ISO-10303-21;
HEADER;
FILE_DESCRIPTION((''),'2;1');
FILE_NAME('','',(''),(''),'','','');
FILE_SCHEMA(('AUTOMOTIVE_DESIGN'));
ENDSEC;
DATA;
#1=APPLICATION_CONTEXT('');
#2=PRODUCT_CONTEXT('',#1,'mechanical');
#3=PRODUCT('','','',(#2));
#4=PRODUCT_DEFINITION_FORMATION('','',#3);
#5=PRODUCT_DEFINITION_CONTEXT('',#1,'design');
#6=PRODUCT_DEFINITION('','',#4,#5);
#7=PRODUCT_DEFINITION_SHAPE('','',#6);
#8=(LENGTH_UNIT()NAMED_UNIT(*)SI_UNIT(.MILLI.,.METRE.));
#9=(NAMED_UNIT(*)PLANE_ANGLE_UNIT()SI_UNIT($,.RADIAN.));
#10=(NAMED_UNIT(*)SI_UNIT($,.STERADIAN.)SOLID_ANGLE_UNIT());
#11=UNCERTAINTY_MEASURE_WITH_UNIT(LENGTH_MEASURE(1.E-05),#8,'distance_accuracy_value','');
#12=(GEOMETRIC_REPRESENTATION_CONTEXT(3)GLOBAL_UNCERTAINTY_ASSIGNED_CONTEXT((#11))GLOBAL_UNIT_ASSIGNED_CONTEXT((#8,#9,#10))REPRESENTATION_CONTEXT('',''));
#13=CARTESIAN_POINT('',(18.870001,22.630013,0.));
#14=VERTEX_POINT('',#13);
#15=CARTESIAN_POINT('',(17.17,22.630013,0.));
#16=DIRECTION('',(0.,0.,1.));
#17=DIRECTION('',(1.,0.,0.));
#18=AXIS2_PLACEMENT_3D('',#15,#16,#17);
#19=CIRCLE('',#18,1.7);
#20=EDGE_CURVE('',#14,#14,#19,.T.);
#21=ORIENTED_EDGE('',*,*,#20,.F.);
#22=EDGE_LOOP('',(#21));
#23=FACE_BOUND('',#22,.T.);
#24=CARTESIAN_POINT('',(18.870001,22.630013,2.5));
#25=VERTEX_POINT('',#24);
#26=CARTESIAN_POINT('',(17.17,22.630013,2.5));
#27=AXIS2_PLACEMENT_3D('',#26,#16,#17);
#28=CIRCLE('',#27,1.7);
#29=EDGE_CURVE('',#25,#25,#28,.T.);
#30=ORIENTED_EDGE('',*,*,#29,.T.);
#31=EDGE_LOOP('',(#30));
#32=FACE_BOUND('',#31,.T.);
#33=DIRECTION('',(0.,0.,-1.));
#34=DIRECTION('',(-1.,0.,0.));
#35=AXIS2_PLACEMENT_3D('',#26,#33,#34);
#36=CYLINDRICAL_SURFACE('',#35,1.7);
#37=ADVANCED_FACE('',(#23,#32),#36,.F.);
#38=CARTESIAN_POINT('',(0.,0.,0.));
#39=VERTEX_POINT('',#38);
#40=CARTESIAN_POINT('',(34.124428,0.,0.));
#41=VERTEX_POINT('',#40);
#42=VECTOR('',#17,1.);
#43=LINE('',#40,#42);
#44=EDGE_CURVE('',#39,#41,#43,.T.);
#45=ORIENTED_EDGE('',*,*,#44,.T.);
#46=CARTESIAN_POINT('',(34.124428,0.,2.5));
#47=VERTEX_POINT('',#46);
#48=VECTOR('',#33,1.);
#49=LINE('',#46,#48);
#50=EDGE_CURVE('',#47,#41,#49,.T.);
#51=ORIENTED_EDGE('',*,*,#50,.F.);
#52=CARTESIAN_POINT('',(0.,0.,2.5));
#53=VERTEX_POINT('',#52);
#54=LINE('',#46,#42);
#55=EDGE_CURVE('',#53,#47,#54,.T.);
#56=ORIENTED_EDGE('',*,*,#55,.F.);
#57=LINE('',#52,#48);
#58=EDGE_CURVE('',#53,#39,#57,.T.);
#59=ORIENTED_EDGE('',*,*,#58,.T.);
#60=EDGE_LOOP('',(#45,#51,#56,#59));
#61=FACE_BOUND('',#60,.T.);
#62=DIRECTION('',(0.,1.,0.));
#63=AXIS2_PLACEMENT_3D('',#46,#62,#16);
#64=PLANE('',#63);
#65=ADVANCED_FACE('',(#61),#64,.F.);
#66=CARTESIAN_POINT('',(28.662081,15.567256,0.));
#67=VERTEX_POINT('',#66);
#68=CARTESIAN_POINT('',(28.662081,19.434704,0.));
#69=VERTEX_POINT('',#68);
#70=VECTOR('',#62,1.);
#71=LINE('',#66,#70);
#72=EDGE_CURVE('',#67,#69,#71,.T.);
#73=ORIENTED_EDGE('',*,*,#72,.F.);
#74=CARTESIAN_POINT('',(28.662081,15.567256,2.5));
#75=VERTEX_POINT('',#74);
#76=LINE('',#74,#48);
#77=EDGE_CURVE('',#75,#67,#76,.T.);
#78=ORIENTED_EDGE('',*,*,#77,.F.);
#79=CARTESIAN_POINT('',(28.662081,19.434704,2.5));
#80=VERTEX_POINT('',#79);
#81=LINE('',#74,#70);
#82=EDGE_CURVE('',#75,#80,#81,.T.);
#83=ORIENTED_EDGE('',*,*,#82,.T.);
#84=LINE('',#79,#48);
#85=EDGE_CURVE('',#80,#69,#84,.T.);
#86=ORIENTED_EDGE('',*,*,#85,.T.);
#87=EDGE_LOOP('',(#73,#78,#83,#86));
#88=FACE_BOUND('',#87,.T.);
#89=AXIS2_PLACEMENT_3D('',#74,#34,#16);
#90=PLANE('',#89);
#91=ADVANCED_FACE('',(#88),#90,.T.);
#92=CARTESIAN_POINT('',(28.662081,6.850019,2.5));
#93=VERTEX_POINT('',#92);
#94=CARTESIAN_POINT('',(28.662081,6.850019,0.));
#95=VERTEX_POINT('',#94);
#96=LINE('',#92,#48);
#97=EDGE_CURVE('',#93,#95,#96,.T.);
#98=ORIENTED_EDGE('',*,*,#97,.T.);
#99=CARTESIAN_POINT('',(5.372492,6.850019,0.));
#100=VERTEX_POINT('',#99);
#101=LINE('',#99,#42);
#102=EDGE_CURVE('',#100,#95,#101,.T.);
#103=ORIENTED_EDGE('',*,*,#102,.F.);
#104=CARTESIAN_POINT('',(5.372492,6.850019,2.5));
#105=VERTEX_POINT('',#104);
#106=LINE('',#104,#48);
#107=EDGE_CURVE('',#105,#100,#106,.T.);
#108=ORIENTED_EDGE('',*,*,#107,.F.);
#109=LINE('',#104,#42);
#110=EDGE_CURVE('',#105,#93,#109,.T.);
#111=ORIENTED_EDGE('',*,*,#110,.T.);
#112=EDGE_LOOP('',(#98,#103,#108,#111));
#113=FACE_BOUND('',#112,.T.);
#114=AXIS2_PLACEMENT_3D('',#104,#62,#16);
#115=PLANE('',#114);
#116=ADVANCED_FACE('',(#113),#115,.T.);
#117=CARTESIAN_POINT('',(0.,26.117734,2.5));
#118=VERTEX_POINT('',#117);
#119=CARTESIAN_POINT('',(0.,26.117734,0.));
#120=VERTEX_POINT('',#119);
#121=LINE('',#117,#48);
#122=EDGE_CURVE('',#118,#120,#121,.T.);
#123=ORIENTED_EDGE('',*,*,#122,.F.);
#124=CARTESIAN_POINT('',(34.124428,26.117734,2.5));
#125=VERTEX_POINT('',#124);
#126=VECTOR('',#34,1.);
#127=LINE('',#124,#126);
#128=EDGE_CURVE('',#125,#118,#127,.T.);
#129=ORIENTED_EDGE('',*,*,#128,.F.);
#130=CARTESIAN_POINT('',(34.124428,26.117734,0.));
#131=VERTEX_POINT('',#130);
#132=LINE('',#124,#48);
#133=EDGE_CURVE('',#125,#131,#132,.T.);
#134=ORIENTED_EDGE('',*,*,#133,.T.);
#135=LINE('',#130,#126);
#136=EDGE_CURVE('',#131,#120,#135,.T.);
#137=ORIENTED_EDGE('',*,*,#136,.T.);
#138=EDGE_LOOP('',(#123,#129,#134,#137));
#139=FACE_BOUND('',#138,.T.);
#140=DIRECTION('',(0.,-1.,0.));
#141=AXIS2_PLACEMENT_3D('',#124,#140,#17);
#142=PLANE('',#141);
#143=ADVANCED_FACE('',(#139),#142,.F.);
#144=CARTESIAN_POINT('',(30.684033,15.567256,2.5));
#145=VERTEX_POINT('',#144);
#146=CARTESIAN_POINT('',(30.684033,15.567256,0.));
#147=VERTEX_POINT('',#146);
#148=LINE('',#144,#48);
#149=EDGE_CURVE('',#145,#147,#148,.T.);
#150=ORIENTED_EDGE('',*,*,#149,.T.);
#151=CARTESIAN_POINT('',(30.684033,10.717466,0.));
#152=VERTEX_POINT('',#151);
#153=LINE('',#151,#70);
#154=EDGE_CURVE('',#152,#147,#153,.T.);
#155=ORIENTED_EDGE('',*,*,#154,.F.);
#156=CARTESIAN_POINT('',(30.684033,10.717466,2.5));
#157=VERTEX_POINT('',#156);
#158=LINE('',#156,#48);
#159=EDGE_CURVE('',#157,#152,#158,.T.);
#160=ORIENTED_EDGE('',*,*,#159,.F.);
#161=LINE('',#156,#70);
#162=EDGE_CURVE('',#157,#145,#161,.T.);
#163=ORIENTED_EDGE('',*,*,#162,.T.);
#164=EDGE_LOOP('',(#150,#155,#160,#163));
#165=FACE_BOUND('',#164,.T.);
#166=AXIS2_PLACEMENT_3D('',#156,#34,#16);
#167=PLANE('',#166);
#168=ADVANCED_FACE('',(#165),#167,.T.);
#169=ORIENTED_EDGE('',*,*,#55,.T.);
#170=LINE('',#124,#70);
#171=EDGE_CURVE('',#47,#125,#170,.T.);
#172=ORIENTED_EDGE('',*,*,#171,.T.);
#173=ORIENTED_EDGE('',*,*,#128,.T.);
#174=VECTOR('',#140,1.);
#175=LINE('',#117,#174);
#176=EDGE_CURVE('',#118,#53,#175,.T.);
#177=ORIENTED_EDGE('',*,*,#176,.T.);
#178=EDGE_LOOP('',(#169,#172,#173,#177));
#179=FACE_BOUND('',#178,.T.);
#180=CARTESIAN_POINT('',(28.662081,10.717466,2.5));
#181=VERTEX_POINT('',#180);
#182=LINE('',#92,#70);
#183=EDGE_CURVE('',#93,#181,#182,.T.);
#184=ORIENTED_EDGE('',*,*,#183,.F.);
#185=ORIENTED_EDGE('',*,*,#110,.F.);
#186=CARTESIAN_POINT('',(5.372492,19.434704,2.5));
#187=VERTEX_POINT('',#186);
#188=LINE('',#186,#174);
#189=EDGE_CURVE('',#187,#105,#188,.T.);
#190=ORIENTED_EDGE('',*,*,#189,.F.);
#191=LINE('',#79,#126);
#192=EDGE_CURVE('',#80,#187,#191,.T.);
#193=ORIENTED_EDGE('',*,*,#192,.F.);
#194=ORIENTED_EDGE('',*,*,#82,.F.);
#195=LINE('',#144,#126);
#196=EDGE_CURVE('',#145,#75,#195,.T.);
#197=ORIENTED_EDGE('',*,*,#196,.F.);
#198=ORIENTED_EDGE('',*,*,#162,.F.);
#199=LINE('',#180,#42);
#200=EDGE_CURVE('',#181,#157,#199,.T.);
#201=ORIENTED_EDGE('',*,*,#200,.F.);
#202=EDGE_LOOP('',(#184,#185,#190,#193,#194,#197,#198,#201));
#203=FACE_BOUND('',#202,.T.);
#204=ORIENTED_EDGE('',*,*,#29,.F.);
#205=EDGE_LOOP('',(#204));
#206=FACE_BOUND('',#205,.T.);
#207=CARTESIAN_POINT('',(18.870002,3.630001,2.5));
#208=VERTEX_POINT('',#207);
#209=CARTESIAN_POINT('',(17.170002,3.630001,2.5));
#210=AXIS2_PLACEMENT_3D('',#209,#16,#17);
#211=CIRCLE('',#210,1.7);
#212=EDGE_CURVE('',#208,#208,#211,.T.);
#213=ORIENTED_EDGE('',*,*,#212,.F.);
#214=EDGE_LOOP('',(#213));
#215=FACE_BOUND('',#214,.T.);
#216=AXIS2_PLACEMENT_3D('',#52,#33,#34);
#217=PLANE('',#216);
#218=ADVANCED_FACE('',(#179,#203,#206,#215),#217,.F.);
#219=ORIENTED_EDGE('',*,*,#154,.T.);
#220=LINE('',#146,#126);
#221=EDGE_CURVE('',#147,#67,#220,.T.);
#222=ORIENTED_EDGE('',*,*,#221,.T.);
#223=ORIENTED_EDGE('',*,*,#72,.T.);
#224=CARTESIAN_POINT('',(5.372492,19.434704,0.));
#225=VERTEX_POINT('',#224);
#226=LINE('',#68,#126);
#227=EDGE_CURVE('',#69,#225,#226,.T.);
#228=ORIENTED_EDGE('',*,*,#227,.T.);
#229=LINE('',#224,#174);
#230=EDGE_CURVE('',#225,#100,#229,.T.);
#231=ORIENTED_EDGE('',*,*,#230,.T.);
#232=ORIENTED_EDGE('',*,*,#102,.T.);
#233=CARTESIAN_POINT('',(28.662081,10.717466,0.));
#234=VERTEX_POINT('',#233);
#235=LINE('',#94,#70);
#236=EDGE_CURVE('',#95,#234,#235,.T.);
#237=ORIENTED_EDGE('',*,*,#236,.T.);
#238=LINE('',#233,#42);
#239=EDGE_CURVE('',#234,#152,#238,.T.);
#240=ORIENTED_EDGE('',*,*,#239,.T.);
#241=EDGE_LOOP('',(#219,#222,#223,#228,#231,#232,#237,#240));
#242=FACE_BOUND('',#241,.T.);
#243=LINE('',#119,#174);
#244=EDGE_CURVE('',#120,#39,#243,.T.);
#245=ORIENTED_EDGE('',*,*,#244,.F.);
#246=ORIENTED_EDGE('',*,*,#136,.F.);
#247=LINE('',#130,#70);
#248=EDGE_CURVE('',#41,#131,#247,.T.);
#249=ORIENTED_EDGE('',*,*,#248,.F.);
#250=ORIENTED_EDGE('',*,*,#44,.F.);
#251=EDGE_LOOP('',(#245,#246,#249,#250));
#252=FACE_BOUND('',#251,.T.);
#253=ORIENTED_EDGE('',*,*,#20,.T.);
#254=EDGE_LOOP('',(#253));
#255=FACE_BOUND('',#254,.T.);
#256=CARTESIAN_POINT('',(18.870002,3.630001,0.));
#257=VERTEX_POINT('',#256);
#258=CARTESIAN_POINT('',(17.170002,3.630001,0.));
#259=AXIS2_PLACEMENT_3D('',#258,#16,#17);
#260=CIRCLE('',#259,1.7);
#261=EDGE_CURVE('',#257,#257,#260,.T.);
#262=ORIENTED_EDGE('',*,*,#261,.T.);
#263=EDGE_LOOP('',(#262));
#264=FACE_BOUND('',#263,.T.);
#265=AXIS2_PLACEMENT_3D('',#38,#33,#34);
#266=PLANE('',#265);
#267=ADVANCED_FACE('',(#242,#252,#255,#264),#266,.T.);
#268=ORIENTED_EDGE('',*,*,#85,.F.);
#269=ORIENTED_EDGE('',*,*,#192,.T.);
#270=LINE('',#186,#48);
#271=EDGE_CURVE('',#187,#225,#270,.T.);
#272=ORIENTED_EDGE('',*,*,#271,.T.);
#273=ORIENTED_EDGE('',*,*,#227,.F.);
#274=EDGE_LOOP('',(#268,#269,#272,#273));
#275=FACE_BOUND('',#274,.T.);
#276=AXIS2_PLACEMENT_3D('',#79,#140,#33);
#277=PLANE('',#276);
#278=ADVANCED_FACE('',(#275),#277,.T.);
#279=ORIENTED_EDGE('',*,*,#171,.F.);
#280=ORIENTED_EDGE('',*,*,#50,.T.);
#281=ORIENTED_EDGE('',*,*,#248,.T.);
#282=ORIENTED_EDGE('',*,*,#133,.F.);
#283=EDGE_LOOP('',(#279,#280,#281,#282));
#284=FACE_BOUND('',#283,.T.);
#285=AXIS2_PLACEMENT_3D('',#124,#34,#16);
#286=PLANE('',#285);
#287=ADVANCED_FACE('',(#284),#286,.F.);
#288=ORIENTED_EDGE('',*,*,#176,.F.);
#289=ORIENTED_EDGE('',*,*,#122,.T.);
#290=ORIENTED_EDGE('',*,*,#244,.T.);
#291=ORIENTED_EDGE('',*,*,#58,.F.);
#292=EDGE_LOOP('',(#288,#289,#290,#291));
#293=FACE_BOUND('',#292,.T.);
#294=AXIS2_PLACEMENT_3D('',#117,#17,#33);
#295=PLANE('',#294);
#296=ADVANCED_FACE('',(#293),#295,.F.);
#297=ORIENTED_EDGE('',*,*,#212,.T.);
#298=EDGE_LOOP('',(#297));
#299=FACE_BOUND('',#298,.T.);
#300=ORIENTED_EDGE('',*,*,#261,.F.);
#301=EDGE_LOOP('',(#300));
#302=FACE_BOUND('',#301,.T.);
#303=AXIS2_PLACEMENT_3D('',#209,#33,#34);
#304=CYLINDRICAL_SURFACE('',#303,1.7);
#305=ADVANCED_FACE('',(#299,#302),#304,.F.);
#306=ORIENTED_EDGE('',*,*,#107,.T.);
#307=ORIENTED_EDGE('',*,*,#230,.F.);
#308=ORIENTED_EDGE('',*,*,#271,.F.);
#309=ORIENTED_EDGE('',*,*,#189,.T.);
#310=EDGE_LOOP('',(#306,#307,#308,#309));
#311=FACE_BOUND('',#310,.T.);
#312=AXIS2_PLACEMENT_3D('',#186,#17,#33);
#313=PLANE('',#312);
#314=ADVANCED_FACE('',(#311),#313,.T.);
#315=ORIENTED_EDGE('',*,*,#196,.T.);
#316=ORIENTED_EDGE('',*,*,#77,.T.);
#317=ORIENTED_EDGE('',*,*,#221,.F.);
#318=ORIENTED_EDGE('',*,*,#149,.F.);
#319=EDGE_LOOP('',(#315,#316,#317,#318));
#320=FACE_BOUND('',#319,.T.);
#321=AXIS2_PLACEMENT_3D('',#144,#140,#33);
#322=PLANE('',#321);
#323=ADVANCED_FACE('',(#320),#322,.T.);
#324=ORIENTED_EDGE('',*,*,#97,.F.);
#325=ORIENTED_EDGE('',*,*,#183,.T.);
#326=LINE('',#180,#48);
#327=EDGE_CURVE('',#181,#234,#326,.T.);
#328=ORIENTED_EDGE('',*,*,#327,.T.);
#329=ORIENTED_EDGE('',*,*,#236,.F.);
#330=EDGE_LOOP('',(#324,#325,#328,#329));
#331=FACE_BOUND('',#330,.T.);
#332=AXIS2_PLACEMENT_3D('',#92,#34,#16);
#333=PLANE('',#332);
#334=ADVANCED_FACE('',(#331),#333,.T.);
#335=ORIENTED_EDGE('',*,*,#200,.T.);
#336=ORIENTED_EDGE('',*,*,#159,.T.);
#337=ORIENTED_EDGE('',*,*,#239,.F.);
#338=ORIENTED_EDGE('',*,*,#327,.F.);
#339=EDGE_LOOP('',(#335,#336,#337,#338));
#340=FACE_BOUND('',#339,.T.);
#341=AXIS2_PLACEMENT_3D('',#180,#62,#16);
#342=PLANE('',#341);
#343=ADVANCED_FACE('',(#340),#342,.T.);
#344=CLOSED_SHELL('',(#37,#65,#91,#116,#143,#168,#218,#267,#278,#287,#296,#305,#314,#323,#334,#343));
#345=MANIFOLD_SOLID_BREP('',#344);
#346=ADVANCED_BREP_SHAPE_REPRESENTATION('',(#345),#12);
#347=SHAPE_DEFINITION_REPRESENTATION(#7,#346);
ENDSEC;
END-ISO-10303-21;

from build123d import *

# Parameters (mm, degrees)
SKETCH1_W           = 34.124427795
SKETCH1_H           = 26.117733668
SKETCH1_R           = 1.70000044
BOSS_EXTRUDE3_DEPTH = 2.5


with BuildPart() as part:
    # Sketch1 → Boss-Extrude3 (new body)
    with BuildSketch(Plane.XY):
        with Locations((17.062213898, 13.058866834)):
            Rectangle(SKETCH1_W, SKETCH1_H)
        with Locations((17.170001507, 3.630000591)):
            Circle(SKETCH1_R, mode=Mode.SUBTRACT)
        with Locations((17.170000399, 22.630012776)):
            Circle(SKETCH1_R, mode=Mode.SUBTRACT)
        Polygon((30.684032724, 15.567255888), (28.662081374, 15.567255888), (28.662081374, 19.434703738), (5.372492357, 19.434703738), (5.372492357, 6.850018518), (28.662081374, 6.850018518), (28.662081374, 10.717466368), (30.684032724, 10.717466368), align=None, mode=Mode.SUBTRACT)
    extrude(amount=BOSS_EXTRUDE3_DEPTH)


solid = part.part
